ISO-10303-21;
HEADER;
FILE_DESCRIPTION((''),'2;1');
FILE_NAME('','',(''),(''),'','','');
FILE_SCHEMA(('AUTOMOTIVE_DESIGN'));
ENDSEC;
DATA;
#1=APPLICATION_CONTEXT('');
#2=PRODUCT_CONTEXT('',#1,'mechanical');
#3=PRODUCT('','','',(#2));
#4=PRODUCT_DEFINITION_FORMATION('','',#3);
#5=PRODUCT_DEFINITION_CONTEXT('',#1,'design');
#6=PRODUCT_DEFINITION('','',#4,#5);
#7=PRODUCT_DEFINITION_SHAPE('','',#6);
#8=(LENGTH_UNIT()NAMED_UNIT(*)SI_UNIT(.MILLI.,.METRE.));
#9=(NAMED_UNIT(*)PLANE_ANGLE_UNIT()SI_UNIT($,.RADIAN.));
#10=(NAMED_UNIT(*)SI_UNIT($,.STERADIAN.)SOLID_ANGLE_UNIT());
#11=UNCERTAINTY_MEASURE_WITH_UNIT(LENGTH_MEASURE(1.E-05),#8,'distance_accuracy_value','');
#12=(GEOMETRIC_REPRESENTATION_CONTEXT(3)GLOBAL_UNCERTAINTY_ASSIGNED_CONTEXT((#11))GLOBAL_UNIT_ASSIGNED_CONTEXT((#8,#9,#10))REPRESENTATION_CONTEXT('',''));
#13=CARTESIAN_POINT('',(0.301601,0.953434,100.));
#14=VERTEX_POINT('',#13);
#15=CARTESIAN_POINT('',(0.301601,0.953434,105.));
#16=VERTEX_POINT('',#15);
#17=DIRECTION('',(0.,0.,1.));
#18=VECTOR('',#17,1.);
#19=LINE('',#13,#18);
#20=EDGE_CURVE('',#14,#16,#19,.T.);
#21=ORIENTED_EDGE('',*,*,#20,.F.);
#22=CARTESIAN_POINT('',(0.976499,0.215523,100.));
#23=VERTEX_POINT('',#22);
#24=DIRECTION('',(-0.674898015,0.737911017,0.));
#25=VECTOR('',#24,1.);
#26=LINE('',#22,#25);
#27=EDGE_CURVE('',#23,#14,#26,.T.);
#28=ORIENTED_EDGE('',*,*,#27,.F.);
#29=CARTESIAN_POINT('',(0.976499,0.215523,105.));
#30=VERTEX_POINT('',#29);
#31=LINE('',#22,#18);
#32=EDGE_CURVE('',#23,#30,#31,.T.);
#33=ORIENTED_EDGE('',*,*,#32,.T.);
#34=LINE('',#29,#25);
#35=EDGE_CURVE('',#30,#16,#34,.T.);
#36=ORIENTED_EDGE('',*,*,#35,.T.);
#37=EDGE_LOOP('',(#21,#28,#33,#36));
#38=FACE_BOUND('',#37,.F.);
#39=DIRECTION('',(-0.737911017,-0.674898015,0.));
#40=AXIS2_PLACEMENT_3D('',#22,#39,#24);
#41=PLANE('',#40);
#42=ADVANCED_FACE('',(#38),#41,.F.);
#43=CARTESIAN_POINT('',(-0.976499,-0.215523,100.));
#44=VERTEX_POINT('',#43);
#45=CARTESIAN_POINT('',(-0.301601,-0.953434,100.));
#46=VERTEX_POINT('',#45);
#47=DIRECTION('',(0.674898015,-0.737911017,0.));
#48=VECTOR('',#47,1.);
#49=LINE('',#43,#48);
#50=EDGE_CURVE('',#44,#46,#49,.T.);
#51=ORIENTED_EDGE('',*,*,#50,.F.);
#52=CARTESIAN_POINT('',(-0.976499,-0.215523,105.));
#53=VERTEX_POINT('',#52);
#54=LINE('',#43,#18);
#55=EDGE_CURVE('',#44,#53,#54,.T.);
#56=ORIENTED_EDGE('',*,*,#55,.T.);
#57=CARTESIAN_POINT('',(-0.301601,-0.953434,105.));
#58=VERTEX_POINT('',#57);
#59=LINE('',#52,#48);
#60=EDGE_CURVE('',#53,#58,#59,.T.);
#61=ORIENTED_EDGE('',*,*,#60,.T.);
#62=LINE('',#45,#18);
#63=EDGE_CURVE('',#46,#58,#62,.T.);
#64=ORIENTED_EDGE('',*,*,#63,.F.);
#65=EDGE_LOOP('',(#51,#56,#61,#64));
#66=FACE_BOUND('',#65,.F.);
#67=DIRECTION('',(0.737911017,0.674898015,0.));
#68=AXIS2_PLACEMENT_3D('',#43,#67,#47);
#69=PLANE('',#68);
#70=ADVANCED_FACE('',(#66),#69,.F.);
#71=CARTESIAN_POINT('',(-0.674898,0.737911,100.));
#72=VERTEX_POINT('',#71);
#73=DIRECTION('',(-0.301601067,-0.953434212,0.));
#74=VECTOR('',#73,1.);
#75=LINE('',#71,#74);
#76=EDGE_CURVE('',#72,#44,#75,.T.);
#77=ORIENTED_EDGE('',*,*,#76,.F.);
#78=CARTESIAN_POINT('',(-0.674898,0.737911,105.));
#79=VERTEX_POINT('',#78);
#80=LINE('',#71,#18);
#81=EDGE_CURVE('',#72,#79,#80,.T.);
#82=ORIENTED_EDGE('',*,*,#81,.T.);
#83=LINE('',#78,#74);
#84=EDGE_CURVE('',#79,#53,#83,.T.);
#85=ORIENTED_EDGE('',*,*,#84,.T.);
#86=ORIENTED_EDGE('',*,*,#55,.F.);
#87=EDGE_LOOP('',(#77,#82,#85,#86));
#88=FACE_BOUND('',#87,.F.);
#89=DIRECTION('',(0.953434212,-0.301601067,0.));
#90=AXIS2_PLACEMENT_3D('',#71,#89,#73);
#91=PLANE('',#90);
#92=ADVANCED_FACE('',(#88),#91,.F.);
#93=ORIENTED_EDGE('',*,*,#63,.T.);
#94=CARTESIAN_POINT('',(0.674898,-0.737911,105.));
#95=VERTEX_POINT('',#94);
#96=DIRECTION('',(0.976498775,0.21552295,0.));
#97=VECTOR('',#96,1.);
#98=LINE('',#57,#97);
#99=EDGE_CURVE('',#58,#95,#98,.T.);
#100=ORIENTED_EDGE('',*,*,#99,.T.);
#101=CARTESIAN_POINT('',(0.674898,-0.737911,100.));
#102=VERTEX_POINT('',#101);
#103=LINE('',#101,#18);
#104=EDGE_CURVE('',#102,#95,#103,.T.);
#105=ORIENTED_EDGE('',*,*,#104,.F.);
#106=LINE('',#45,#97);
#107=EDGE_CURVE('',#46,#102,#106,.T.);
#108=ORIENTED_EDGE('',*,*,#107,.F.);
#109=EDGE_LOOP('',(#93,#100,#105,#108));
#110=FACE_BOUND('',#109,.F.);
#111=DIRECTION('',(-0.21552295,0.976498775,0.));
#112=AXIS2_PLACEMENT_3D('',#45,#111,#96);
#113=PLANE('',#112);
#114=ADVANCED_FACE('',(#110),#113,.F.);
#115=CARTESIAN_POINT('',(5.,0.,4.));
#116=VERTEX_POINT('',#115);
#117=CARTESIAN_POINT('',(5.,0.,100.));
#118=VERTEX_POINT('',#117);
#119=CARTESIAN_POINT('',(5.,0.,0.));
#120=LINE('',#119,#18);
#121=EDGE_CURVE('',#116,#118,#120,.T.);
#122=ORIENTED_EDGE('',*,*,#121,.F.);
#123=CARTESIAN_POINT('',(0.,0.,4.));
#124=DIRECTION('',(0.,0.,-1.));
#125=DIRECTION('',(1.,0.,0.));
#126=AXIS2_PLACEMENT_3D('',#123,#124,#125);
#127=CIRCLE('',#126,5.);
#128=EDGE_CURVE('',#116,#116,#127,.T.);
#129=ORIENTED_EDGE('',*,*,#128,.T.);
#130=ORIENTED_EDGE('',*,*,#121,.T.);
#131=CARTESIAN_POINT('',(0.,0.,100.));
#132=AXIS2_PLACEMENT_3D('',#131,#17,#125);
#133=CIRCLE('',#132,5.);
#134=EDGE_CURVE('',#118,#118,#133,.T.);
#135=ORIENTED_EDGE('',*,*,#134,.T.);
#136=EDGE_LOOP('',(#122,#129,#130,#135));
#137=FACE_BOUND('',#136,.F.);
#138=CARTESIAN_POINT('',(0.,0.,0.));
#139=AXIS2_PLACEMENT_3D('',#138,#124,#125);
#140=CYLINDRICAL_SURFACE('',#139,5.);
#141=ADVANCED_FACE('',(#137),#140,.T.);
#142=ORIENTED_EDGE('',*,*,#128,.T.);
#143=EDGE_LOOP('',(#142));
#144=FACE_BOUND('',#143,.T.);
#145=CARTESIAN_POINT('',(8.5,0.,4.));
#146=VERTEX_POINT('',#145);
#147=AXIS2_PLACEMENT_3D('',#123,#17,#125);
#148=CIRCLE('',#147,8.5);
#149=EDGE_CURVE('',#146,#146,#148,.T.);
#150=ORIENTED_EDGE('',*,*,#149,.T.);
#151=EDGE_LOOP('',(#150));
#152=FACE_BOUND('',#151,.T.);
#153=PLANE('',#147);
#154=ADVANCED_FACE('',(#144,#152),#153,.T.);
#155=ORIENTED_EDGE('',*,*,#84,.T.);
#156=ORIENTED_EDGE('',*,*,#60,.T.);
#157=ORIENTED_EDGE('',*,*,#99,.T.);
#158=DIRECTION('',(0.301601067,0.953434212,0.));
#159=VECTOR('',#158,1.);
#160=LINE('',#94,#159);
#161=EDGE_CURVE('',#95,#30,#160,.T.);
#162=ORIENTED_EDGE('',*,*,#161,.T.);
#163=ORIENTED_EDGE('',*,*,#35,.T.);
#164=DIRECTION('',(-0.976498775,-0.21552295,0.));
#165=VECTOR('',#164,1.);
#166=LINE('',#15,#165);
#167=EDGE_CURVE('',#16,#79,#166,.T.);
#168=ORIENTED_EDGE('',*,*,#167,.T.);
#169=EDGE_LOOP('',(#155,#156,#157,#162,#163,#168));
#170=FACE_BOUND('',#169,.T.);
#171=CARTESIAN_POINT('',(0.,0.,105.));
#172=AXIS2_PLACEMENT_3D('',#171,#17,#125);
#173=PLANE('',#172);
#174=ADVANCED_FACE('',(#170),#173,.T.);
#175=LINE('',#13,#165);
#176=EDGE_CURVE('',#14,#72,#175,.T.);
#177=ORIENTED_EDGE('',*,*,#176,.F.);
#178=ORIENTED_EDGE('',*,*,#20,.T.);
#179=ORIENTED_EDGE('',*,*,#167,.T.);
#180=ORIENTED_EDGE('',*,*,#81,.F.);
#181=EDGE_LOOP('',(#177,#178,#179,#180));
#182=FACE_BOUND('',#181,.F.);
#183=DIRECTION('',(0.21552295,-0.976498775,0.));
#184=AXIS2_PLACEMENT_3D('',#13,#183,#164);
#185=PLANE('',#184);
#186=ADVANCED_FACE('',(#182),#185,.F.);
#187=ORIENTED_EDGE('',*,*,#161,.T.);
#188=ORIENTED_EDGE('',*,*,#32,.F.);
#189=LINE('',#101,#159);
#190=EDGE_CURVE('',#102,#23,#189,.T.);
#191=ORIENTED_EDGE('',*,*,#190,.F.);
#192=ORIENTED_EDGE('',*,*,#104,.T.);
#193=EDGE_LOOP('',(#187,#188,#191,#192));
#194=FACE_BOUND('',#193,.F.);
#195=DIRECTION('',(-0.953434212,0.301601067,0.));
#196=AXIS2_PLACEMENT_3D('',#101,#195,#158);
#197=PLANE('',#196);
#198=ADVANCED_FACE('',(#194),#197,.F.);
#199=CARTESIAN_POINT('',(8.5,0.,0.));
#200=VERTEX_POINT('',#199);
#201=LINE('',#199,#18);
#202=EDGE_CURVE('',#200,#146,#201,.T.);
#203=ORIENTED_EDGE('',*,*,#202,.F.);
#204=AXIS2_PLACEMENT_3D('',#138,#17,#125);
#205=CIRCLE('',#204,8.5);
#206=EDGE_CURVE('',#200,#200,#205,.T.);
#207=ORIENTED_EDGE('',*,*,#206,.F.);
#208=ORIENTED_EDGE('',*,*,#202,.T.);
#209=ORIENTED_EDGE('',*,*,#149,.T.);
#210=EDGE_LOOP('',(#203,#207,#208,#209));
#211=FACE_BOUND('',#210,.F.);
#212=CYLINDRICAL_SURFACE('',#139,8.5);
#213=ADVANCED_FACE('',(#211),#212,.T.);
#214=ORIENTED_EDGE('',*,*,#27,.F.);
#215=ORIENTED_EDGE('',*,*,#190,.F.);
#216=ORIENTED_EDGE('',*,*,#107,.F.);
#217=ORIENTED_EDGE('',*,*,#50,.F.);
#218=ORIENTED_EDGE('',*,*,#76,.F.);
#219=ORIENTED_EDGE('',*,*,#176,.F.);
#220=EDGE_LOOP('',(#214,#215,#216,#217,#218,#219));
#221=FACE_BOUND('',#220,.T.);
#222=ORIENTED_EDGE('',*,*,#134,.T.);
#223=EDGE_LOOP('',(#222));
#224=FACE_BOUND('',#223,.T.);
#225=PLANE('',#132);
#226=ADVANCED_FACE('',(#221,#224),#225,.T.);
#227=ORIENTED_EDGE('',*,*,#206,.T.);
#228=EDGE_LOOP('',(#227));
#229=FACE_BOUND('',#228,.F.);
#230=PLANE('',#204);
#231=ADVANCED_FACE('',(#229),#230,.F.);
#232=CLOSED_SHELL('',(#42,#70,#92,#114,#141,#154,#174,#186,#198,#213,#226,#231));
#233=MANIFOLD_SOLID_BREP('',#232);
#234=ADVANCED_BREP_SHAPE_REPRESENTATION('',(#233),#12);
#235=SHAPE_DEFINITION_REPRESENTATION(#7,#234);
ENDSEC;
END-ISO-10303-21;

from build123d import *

# Parameters (mm, degrees)
F0_R     = 8.5
F1_DEPTH = 4
F2_R     = 5
F3_DEPTH = 100
F5_DEPTH = 5


with BuildPart() as f1:
    # F0 (on Top) → F1 (new body)
    with BuildSketch(Plane.XY):
        Circle(F0_R)
    extrude(amount=F1_DEPTH)

    # F2 (on Top) → F3 (join)
    with BuildSketch(Plane.XY):
        Circle(F2_R)
    extrude(amount=F3_DEPTH)

    # F4 (on face) → F5 (join)
    with BuildSketch(Plane.XY.offset(100)):
        Polygon((0.674898, -0.737911), (0.976499, 0.215523), (0.301601, 0.953434), (-0.674898, 0.737911), (-0.976499, -0.215523), (-0.301601, -0.953434), align=None)
    extrude(amount=F5_DEPTH)


solid = f1.part
